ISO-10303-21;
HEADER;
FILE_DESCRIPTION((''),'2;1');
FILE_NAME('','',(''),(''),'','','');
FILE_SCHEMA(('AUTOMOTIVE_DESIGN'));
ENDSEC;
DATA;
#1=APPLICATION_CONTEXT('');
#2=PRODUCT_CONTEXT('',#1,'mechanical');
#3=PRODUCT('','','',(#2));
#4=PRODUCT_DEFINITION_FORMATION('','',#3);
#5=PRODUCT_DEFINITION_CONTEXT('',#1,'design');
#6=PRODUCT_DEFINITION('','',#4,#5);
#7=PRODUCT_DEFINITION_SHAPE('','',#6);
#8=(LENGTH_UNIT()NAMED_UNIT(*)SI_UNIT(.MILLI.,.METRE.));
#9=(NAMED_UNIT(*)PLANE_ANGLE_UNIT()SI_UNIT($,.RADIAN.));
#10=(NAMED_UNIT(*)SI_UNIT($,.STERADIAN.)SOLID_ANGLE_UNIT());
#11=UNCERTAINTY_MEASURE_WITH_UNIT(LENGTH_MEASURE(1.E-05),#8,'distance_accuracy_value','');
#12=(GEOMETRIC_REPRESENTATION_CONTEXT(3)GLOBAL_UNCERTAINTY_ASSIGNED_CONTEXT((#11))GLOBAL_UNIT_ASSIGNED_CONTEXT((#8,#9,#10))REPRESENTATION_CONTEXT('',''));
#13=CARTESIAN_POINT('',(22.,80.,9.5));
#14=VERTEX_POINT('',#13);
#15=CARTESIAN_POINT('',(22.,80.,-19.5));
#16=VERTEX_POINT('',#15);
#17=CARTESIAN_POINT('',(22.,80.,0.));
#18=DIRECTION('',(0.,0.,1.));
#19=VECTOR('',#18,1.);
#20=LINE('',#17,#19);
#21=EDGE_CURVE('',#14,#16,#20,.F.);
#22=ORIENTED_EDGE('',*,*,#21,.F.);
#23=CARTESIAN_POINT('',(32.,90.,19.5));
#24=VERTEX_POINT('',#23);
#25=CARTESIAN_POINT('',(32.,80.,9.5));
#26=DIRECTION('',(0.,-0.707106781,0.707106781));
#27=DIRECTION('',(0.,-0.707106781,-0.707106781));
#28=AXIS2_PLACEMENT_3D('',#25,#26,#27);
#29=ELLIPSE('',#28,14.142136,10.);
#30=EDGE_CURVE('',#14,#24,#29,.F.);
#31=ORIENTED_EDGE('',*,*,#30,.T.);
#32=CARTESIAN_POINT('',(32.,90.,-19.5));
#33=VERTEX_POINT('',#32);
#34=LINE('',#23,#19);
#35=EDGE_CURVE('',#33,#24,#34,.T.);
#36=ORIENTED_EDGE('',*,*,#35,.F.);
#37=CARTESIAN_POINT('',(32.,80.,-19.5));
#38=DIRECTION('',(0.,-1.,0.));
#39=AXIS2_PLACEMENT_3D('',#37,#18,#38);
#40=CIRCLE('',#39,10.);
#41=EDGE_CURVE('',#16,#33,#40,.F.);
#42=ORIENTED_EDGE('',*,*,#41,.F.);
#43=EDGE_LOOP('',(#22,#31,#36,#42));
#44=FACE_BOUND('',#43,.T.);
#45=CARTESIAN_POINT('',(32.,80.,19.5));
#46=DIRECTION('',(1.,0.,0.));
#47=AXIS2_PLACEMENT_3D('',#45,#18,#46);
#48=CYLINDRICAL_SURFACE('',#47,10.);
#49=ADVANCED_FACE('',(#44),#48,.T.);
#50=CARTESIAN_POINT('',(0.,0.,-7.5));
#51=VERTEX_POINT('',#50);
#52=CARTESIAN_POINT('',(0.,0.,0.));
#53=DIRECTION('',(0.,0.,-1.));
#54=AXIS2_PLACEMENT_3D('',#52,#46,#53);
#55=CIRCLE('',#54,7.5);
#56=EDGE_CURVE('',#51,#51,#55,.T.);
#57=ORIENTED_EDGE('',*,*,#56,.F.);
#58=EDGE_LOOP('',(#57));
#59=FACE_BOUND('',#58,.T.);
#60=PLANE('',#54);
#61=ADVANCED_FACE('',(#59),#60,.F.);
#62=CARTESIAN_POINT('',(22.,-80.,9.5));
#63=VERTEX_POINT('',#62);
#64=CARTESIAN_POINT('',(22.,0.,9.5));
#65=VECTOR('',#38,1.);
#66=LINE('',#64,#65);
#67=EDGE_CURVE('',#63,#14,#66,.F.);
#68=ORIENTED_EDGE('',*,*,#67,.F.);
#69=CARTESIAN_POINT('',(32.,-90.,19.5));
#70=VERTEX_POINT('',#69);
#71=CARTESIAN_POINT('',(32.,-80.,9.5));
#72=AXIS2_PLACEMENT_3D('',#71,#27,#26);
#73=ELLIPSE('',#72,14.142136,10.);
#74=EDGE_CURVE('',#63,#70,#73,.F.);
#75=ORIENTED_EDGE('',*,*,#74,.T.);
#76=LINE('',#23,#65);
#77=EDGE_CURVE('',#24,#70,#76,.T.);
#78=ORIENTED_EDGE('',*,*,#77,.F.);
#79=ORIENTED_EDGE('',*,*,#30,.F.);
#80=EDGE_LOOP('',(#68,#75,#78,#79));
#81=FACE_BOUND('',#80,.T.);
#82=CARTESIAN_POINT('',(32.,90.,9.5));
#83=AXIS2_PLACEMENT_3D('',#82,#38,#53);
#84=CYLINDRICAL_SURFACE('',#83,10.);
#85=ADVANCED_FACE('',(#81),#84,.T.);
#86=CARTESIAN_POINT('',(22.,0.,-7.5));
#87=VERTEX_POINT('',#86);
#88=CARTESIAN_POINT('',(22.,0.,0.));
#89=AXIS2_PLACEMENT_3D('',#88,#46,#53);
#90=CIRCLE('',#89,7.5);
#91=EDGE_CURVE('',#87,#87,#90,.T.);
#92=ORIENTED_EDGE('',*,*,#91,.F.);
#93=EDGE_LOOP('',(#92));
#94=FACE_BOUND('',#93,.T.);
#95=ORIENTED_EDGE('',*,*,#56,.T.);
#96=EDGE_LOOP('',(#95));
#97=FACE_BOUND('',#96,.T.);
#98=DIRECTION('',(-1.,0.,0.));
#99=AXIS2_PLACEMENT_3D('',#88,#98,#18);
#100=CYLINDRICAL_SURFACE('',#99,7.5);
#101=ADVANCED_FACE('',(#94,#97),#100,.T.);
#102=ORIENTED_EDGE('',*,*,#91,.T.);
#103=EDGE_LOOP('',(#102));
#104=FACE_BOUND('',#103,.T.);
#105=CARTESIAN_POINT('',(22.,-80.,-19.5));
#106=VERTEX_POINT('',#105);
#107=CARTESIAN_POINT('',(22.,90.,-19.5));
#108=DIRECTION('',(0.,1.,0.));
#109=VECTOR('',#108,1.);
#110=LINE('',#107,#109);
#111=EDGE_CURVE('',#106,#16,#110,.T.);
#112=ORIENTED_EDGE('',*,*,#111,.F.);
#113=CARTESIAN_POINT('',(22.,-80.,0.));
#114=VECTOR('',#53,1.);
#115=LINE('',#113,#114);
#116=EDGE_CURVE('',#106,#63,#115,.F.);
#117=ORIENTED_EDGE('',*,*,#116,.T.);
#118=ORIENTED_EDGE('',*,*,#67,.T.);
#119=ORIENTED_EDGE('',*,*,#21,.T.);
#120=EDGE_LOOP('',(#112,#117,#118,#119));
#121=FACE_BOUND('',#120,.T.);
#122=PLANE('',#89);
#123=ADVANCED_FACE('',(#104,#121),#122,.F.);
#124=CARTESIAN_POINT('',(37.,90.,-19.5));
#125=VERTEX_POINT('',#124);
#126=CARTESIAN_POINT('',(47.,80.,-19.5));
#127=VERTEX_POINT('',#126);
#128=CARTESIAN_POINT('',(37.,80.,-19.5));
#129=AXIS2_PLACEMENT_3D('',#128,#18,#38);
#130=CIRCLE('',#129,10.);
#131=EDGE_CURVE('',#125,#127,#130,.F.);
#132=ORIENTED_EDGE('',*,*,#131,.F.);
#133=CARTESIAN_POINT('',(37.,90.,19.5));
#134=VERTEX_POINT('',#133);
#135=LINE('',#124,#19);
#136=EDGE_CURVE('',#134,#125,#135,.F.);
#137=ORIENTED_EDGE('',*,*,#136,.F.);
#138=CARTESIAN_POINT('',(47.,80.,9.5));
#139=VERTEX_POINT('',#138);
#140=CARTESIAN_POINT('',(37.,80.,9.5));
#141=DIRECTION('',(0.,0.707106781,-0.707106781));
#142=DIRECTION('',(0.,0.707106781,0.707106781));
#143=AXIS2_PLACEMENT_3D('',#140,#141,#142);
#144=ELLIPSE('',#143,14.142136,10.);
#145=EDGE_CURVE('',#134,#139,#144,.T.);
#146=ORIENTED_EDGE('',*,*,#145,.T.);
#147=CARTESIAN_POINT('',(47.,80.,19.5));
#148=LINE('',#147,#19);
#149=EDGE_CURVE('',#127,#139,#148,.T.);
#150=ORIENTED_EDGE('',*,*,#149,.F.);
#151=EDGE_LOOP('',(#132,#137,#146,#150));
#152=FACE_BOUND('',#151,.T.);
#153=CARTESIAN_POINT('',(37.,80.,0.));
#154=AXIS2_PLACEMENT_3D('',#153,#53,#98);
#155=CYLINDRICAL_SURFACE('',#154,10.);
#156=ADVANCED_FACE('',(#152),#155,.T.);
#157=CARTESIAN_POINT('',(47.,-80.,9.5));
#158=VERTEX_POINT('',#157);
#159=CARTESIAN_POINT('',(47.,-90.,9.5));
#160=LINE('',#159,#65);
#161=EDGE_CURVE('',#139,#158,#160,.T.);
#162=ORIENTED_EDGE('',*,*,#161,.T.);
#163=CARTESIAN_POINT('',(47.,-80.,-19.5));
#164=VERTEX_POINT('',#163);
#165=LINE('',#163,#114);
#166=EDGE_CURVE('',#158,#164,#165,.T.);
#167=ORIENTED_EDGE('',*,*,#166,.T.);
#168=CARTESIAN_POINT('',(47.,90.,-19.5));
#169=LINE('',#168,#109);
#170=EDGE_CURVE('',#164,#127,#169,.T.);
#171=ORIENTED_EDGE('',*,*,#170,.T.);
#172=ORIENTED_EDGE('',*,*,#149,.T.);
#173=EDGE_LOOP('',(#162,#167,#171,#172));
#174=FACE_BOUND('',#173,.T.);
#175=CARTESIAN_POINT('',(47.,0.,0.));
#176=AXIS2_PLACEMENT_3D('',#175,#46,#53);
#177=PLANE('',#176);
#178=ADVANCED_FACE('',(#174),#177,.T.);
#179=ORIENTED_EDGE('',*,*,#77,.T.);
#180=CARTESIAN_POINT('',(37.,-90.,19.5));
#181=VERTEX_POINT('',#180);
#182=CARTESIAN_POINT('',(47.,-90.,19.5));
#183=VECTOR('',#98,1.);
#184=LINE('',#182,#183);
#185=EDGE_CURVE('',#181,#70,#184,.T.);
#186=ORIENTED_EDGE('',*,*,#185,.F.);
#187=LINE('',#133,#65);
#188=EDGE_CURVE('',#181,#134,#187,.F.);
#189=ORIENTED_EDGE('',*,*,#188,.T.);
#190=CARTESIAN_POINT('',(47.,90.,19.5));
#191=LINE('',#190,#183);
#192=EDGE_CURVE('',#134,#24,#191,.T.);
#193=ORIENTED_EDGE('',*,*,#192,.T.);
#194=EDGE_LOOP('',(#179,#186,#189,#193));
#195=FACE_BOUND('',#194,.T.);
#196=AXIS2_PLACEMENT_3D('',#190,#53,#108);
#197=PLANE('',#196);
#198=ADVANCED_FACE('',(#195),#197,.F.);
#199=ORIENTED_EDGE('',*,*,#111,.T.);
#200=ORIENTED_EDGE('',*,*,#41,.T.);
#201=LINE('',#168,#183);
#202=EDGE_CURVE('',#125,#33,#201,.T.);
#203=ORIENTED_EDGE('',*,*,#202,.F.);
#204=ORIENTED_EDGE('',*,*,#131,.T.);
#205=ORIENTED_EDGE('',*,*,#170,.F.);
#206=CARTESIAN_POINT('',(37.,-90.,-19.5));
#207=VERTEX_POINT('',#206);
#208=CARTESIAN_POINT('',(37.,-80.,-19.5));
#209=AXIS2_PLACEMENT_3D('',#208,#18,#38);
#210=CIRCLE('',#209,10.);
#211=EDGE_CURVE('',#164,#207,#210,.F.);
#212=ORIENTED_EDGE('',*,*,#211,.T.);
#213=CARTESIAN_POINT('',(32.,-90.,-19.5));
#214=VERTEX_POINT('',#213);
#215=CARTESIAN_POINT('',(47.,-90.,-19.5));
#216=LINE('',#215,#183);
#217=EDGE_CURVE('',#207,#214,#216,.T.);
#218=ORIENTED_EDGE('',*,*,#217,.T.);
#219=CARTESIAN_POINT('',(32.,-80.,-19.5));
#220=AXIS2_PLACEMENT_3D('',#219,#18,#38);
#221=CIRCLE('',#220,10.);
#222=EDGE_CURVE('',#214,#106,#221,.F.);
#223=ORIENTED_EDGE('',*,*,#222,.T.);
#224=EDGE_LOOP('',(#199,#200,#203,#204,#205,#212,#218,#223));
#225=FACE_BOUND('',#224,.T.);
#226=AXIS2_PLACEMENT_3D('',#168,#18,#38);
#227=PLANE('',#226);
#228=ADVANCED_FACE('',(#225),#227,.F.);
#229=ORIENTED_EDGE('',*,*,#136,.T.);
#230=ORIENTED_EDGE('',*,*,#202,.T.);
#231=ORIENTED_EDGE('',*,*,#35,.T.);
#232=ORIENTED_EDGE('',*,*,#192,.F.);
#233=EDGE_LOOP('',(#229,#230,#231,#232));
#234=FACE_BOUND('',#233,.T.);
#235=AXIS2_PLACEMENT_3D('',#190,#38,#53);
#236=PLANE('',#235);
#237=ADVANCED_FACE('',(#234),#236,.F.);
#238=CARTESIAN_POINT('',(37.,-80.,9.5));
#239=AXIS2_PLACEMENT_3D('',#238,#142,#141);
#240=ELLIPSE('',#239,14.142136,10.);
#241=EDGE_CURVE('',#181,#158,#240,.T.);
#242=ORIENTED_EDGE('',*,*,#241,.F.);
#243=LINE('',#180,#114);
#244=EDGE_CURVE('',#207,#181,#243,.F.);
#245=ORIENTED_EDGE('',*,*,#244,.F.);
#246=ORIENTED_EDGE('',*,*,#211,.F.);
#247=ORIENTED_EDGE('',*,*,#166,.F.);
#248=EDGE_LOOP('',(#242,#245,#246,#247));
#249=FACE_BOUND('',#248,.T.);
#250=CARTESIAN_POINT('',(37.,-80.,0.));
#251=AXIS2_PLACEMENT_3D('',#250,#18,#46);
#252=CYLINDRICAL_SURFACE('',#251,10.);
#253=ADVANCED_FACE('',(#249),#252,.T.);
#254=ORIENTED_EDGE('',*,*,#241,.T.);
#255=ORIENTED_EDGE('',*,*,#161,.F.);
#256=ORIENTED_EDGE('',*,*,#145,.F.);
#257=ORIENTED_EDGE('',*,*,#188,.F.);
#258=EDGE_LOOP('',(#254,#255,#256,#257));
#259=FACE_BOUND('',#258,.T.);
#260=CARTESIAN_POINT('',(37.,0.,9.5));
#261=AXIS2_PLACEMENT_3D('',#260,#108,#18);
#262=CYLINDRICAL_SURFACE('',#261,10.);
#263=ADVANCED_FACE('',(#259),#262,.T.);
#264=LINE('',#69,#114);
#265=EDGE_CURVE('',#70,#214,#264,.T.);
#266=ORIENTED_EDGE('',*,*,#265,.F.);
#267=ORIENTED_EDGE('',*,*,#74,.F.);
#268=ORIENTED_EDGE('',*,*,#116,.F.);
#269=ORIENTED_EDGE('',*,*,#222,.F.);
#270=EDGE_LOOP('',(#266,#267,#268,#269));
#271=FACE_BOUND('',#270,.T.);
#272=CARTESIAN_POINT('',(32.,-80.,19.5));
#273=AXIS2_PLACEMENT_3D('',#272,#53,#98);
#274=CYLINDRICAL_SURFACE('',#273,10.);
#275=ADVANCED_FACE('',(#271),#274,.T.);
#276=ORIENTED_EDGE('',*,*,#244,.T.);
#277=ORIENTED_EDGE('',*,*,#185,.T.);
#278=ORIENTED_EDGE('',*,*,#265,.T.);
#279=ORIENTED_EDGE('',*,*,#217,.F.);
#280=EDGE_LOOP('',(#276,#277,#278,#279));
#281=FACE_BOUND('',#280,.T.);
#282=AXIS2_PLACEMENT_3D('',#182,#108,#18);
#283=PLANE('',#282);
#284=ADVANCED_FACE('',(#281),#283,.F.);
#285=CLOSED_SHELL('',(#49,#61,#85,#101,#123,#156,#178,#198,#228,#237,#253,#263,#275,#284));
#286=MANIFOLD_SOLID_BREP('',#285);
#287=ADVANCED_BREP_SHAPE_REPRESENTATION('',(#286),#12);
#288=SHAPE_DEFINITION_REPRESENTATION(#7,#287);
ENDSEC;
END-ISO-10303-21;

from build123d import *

# Parameters (mm, degrees)
SKETCH1_R           = 7.499999986
BOSS_EXTRUDE1_DEPTH = 22
SKETCH2_W           = 39
SKETCH2_H           = 180
BOSS_EXTRUDE2_DEPTH = 25
FILLET1_R           = 10


with BuildPart() as part:
    # Sketch1 → Boss-Extrude1 (new body)
    with BuildSketch(Plane(origin=(0, 0, 0), x_dir=(0, 0, -1), z_dir=(1, 0, 0))):
        Circle(SKETCH1_R)
    extrude(amount=BOSS_EXTRUDE1_DEPTH)

    # Sketch2 → Boss-Extrude2 (add)
    with BuildSketch(Plane(origin=(22, 0, 0), x_dir=(0, 0, -1), z_dir=(1, 0, 0))):
        Rectangle(SKETCH2_W, SKETCH2_H)
    extrude(amount=BOSS_EXTRUDE2_DEPTH)

    # Fillet1
    fillet1_edges = [part.edges().sort_by_distance(p)[0] for p in [
        (22, 0, 19.5),
        (22, -90, 0),
        (22, 90, 0),
        (47, 0, 19.5),
        (47, -90, 0),
        (47, 90, 0),
    ]]
    fillet(fillet1_edges, radius=FILLET1_R)


solid = part.part
